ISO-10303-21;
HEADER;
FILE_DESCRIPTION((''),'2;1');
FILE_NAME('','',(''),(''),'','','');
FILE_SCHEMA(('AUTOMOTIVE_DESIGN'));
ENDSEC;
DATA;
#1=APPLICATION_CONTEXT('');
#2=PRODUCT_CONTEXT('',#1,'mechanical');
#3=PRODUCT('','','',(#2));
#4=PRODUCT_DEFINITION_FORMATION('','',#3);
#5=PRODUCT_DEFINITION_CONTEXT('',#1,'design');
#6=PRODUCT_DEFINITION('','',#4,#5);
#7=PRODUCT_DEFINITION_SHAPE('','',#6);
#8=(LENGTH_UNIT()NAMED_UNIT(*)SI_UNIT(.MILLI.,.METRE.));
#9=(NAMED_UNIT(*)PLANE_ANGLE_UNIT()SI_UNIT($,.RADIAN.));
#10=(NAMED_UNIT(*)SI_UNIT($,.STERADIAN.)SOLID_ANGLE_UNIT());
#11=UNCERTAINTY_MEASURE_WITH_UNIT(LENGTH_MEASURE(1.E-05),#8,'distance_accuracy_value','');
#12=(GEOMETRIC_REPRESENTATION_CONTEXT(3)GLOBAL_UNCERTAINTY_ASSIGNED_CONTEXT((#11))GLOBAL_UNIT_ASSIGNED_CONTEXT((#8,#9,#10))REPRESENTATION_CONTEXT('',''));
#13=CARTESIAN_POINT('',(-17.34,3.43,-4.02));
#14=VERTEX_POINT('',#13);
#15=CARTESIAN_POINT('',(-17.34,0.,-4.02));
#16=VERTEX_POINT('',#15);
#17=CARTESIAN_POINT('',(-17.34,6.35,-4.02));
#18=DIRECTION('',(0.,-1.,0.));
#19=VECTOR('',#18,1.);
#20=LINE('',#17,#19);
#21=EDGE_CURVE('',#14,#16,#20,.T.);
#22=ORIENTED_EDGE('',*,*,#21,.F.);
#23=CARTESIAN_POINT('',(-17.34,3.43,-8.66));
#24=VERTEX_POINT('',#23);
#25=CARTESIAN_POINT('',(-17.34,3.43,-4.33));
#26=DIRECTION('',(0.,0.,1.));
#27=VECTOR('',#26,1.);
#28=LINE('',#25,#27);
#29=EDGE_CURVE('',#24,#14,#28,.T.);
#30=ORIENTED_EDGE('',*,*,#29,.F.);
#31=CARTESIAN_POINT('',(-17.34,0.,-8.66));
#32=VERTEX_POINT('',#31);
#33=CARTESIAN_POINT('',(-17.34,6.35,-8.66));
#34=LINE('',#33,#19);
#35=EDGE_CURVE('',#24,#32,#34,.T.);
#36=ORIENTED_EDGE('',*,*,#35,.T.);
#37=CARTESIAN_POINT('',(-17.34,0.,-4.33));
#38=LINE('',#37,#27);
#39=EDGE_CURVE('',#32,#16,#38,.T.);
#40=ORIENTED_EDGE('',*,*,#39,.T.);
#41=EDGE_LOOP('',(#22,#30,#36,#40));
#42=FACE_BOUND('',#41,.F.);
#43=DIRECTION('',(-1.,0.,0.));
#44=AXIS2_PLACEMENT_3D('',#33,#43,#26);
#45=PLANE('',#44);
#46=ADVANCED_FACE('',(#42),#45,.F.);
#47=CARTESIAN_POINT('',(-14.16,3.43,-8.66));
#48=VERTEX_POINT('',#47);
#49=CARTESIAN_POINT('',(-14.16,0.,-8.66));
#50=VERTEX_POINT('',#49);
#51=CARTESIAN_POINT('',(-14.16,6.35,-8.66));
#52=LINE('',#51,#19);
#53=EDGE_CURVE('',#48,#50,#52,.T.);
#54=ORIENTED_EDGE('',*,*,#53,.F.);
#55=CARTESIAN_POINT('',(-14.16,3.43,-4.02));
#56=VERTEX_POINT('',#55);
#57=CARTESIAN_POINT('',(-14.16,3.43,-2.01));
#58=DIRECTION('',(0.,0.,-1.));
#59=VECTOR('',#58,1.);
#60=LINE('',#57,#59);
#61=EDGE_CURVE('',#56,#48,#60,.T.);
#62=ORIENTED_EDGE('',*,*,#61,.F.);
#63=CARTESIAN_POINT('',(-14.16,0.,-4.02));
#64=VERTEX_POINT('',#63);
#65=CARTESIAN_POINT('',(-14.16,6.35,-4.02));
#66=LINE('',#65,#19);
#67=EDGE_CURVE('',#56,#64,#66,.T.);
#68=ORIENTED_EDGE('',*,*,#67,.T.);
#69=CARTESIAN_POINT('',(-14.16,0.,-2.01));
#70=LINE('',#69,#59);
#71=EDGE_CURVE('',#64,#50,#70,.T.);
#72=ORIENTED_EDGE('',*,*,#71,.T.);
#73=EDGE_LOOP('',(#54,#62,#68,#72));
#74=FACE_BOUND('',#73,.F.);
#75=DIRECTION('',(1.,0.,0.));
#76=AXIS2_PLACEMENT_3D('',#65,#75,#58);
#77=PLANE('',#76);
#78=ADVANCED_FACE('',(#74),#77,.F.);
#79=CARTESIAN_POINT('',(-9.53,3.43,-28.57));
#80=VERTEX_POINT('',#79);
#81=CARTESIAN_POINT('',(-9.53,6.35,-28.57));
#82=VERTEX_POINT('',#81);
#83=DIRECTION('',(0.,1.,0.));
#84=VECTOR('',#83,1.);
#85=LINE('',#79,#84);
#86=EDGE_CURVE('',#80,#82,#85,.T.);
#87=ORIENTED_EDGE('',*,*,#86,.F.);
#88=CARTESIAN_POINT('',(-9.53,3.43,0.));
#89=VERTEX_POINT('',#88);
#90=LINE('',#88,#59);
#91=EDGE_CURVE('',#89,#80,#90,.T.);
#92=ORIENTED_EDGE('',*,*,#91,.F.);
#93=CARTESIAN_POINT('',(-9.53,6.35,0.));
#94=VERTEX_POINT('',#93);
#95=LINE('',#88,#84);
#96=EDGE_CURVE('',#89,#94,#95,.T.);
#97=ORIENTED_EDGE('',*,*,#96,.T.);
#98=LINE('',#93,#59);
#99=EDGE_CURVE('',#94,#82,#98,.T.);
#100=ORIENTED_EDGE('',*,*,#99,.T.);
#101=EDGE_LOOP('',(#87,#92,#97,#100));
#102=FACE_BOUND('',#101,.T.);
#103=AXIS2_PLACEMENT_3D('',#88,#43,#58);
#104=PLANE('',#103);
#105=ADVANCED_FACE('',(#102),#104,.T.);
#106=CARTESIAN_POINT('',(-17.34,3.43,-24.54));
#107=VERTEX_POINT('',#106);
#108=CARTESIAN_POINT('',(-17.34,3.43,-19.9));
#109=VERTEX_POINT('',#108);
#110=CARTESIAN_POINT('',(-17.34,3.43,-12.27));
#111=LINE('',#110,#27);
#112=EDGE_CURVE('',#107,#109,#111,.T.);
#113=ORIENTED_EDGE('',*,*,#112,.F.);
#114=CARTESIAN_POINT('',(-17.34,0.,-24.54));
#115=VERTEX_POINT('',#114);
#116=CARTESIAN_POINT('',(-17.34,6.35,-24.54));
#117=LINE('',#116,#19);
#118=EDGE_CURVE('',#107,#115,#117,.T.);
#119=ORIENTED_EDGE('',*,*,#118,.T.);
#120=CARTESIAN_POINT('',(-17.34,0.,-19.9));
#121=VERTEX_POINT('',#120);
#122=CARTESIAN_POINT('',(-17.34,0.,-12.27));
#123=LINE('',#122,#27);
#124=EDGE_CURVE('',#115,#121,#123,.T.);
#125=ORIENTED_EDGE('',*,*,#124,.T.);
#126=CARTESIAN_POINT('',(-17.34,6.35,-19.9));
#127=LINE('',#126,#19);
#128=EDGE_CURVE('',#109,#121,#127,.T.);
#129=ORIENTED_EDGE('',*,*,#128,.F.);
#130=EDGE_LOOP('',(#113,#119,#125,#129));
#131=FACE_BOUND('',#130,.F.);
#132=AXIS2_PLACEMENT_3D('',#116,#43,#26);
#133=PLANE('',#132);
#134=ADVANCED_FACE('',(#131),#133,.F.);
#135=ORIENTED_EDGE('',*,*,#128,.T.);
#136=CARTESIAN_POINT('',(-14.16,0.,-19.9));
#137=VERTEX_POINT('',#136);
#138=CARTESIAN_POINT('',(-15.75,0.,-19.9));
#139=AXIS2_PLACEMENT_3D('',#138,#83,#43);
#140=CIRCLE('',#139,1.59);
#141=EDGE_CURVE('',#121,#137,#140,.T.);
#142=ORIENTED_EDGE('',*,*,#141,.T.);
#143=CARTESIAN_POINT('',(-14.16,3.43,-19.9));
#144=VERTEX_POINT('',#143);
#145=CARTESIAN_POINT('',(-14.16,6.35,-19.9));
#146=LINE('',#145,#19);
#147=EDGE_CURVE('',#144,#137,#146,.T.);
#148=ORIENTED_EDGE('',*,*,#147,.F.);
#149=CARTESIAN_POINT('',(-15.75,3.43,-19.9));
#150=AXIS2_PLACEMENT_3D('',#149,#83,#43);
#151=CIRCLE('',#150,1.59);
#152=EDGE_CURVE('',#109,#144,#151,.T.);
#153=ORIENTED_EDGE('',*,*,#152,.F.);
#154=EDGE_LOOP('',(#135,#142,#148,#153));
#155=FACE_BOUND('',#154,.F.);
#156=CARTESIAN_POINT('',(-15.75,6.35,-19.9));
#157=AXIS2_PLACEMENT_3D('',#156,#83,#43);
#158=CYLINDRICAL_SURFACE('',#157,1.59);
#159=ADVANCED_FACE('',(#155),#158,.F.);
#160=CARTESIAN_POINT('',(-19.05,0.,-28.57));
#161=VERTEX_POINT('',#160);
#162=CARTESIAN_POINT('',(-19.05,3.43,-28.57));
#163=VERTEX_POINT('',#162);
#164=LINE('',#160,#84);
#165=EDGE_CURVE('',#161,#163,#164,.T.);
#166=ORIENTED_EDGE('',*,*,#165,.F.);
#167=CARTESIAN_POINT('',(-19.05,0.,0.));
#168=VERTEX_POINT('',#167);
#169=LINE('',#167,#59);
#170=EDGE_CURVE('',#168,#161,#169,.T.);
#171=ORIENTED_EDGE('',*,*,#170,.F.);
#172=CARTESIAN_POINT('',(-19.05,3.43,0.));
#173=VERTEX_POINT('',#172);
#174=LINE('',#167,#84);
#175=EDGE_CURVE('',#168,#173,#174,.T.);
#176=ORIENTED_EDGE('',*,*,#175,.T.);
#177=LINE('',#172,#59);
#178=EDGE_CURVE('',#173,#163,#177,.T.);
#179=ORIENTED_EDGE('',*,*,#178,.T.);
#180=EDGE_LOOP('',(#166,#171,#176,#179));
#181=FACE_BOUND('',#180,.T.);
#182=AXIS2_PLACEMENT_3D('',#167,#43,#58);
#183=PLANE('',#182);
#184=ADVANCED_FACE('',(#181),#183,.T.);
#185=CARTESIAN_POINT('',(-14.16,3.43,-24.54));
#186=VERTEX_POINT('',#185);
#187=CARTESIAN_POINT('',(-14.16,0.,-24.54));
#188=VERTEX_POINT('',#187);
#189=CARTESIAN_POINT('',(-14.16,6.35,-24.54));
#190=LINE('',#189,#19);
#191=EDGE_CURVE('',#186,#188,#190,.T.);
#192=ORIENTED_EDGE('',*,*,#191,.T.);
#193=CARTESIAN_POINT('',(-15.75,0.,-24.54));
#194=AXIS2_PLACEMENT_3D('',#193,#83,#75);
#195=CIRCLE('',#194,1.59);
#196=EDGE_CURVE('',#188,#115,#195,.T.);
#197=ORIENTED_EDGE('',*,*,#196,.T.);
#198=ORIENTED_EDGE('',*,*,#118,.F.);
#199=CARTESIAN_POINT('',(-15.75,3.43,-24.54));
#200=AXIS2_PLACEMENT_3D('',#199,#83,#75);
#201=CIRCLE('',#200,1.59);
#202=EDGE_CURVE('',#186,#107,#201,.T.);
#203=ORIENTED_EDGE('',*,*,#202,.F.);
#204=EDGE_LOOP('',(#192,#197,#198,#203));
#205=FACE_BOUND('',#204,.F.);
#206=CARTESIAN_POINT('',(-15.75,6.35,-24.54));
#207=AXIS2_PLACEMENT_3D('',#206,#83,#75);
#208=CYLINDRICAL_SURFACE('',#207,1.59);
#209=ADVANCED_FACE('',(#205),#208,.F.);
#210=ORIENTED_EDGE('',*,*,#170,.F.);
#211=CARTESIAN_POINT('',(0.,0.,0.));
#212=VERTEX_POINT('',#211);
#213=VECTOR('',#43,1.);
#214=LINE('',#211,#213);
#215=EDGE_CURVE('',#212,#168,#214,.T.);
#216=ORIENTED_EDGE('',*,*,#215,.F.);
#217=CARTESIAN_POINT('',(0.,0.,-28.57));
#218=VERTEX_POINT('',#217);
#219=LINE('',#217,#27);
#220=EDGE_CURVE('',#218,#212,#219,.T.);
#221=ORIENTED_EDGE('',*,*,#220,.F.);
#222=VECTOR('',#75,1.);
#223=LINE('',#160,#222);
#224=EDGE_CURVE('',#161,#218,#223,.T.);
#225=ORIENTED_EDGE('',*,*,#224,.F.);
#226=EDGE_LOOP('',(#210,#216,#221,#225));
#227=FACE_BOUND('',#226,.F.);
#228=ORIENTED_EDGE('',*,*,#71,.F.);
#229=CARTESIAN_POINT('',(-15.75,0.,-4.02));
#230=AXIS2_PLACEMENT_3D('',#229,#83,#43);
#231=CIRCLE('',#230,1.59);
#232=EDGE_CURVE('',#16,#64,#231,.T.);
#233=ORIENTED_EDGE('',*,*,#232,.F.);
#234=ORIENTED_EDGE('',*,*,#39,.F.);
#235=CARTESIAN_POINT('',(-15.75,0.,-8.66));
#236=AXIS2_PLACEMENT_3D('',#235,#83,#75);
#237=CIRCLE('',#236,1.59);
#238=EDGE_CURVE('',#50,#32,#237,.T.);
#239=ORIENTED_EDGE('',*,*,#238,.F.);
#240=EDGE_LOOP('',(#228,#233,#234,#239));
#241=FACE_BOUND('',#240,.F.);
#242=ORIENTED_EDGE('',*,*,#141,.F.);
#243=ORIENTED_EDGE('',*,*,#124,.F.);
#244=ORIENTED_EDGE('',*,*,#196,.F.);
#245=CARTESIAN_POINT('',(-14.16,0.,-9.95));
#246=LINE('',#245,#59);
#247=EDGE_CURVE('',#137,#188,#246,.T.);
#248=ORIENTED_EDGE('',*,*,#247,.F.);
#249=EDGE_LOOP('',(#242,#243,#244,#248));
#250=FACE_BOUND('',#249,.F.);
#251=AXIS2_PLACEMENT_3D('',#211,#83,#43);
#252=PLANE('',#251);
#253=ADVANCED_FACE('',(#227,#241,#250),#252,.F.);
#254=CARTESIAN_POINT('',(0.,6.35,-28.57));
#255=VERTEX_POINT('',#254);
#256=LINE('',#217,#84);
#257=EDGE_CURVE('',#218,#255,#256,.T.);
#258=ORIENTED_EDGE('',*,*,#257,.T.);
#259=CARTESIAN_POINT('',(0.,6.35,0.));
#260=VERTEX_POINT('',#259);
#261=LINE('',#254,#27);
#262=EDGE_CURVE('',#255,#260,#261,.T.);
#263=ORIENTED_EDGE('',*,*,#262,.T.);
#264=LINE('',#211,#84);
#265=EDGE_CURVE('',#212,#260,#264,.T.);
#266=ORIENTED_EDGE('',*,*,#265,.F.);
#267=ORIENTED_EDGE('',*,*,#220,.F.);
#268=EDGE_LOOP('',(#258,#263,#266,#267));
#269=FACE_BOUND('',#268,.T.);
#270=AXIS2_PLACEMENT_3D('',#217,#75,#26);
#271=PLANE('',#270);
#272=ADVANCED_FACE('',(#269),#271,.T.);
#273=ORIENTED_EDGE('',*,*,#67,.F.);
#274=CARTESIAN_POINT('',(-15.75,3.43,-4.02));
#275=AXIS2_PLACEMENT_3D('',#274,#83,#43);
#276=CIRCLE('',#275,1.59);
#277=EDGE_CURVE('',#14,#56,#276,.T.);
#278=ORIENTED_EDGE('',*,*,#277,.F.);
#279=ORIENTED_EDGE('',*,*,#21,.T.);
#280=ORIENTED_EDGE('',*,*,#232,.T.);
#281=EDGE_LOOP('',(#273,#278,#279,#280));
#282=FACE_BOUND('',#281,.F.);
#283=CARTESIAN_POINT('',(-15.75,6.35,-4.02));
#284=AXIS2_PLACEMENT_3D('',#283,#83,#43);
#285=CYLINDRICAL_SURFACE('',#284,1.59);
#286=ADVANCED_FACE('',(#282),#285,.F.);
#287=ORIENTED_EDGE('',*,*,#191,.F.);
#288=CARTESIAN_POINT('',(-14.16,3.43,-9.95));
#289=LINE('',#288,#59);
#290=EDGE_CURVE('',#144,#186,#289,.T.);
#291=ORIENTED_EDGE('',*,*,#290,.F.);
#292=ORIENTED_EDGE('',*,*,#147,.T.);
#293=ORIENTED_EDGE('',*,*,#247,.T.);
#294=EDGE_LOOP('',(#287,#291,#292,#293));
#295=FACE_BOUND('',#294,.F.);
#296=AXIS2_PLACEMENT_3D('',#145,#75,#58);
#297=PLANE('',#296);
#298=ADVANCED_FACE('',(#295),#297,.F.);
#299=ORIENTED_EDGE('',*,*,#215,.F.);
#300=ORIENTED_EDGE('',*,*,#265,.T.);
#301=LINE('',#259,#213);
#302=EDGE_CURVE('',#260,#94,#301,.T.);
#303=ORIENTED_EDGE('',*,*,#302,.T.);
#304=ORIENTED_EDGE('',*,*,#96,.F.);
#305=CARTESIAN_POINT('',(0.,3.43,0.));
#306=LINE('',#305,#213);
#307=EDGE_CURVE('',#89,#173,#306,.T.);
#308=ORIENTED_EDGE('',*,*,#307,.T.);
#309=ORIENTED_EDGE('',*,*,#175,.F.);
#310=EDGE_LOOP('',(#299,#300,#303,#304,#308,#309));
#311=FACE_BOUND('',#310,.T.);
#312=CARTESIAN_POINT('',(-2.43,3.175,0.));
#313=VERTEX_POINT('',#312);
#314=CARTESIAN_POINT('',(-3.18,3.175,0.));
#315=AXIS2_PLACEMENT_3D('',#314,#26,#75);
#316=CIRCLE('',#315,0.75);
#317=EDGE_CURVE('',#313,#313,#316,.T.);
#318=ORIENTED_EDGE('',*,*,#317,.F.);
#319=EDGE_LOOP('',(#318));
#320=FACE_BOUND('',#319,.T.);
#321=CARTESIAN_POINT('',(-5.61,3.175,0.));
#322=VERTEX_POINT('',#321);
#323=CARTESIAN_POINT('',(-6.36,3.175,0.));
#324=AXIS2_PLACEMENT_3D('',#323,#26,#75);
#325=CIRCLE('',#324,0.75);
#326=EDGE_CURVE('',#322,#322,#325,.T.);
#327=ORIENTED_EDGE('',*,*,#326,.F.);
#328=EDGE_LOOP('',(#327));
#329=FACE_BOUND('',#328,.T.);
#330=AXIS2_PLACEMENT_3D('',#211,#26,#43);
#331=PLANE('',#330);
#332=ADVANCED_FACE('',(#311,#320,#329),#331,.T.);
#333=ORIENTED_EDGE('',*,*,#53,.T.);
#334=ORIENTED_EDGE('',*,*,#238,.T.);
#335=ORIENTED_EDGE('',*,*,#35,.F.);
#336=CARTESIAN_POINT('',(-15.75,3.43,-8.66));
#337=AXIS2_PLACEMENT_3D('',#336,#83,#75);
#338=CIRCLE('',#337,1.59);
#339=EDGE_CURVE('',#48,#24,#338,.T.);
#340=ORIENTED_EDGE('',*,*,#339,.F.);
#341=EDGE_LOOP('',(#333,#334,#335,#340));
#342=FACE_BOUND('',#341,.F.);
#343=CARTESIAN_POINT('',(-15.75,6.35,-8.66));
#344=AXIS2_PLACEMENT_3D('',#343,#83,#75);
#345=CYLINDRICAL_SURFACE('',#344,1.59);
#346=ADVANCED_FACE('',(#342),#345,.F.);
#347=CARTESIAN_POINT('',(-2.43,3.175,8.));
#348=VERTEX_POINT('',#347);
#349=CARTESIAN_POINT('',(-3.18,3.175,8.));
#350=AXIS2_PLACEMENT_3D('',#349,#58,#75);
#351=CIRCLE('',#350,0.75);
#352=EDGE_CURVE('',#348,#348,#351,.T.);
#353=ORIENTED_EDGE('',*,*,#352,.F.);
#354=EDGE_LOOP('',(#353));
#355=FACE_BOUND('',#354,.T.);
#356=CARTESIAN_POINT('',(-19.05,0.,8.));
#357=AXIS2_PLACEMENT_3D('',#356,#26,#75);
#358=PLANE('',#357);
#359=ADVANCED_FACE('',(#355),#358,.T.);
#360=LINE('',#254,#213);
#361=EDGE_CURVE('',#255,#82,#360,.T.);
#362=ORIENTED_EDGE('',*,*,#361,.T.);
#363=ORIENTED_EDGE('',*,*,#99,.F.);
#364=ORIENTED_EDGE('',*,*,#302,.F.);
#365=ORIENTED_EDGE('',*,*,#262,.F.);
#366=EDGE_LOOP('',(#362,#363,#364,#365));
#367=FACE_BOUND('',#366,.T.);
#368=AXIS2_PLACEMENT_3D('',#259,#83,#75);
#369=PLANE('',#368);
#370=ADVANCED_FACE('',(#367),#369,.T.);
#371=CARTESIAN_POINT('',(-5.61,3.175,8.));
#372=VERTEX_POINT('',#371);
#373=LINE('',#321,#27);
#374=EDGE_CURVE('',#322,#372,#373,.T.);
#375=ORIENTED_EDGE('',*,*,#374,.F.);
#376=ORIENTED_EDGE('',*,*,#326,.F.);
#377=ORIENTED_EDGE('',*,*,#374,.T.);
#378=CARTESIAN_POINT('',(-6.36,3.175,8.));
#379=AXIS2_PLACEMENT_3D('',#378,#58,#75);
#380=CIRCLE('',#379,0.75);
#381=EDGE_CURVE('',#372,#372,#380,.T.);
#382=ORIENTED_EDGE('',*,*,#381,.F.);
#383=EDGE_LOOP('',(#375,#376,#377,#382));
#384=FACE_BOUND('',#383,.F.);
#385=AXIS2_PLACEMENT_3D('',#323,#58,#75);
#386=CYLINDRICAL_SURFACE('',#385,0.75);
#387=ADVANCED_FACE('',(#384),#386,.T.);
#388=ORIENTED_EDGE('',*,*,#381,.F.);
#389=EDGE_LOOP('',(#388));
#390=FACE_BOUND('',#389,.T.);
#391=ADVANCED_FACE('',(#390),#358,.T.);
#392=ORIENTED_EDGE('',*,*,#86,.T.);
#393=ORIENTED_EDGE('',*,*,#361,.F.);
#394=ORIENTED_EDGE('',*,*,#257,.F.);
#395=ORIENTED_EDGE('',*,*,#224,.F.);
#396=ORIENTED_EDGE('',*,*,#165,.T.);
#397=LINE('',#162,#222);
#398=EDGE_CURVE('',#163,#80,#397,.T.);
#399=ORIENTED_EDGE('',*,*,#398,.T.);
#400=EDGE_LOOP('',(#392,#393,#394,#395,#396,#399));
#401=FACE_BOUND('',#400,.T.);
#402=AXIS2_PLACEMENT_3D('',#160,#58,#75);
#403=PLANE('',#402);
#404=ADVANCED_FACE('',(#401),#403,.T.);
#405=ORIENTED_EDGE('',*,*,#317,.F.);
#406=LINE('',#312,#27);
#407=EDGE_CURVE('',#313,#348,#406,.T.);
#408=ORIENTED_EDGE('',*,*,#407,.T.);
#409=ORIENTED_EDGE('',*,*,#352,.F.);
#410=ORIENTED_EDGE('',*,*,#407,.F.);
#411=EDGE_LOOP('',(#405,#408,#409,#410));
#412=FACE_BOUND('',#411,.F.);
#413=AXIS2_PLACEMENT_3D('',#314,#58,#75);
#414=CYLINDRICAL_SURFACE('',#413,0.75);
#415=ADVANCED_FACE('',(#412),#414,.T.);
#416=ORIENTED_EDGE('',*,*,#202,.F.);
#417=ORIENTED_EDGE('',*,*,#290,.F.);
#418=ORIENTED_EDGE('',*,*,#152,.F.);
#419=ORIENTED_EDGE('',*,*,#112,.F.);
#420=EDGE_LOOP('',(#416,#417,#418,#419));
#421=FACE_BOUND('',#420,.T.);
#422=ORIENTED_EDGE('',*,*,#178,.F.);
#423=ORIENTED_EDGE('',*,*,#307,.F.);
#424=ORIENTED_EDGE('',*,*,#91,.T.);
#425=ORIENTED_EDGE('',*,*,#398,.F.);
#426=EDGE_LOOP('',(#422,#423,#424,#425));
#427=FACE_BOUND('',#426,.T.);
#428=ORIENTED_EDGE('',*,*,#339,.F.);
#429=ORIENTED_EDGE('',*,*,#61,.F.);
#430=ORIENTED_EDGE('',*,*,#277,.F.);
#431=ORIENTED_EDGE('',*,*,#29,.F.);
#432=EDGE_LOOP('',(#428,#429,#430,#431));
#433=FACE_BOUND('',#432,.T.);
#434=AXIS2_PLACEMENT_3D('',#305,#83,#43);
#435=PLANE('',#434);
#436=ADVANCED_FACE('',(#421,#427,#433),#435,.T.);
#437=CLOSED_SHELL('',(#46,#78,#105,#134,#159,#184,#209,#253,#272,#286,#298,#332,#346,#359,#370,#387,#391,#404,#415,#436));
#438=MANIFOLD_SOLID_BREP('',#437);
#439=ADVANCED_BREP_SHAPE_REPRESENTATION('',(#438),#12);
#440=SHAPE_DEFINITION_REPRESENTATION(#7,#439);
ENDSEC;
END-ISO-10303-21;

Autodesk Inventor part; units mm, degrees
ref_plane "YZ Plane" through (0, 0, 0) normal (1, 0, 0) x (0, 1, 0)
ref_plane "XZ Plane" through (0, 0, 0) normal (0, 1, 0) x (-1, 0, 0)
ref_plane "XY Plane" through (0, 0, 0) normal (0, 0, 1) x (1, 0, 0)
sketch "Sketch1" plane through (0, 0, 0) normal (0, 1, 0) x (-1, 0, 0)
  line L0 (0, 0) -> (19.05, 0)
  line L1 (19.05, 0) -> (19.05, -28.57)
  line L2 (19.05, -28.57) -> (0, -28.57)
  line L3 (0, -28.57) -> (0, 0)
  dimension "d0" = 19.05
  dimension "d1" = 28.57
extrude "Extrusion1" add sketch "Sketch1" along normal blind 3.43
sketch "Sketch2" plane through (0, 3.43, 0) normal (0, 1, 0) x (1, 0, 0)
  line L0 (0, 28.57) -> (-19.05, 28.57) projected
  line L1 (0, 0) -> (-9.53, 0)
  line L2 (-9.53, 0) -> (-9.53, 28.57)
  line L3 (-9.53, 28.57) -> (0, 28.57)
  line L4 (0, 28.57) -> (0, 0)
  dimension "d4" = 9.53
extrude "Extrusion2" add sketch "Sketch2" along normal blind 2.92
sketch "Sketch3" plane through (0, 6.35, 0) normal (0, 1, 0) x (1, 0, 0)
  line L0 (-15.75, 4.02) -> (-15.75, 8.66) construction
  line L1 (-14.16, 4.02) -> (-14.16, 8.66)
  line L2 (-17.34, 8.66) -> (-17.34, 4.02)
  arc A0 (-17.34, 4.02) -> (-14.16, 4.02) centre (-15.75, 4.02) ccw
  arc A1 (-14.16, 8.66) -> (-17.34, 8.66) centre (-15.75, 8.66) ccw
  line L3 (-19.05, 28.57) -> (-19.05, 0) projected
  line L4 (-15.75, 19.9) -> (-15.75, 24.54) construction
  line L5 (-14.16, 19.9) -> (-14.16, 24.54)
  line L6 (-17.34, 24.54) -> (-17.34, 19.9)
  arc A2 (-17.34, 19.9) -> (-14.16, 19.9) centre (-15.75, 19.9) ccw
  arc A3 (-14.16, 24.54) -> (-17.34, 24.54) centre (-15.75, 24.54) ccw
  line L7 (0, 28.57) -> (-9.53, 28.57) projected
  point P0 (0, 0)
  point P1 (-15.75, 6.34)
  point P2 (-15.75, 22.22)
  dimension "d7" = 4.64
  dimension "d8" = 3.18
  dimension "d9" = 3.3
  dimension "d10" = 4.64
  dimension "d11" = 3.18
  dimension "d12" = 15.88
  dimension "d13" = 6.35
extrude "Extrusion3" cut sketch "Sketch3" against normal through all
sketch "Sketch4" plane through (-19.05, 0, 0) normal (0, 0, 1) x (1, 0, 0)
  line L0 (9.52, 6.35) -> (19.05, 6.35) projected
  line L1 (9.52, 6.35) -> (12.69, 6.35)
  line L2 (12.69, 6.35) -> (12.69, 0)
  line L3 (0, 0) -> (19.05, 0) projected
  line L4 (19.05, 0) -> (19.05, 6.35) projected
  line L5 (19.05, 6.35) -> (15.87, 6.35)
  line L6 (15.87, 6.35) -> (15.87, 0)
  circle A0 centre (12.69, 3.175) radius 0.75
  circle A1 centre (15.87, 3.175) radius 0.75
  dimension "d20" = 3.17
  dimension "d21" = 3.18
  dimension "d24" = 1.5
  dimension "d25" = 1.5
extrude "Extrusion4" add sketch "Sketch4" along normal blind 8 contours A0 L2 | L2 A0 | A1 L6 | L6 A1
properties part number "59145_Sensor"
